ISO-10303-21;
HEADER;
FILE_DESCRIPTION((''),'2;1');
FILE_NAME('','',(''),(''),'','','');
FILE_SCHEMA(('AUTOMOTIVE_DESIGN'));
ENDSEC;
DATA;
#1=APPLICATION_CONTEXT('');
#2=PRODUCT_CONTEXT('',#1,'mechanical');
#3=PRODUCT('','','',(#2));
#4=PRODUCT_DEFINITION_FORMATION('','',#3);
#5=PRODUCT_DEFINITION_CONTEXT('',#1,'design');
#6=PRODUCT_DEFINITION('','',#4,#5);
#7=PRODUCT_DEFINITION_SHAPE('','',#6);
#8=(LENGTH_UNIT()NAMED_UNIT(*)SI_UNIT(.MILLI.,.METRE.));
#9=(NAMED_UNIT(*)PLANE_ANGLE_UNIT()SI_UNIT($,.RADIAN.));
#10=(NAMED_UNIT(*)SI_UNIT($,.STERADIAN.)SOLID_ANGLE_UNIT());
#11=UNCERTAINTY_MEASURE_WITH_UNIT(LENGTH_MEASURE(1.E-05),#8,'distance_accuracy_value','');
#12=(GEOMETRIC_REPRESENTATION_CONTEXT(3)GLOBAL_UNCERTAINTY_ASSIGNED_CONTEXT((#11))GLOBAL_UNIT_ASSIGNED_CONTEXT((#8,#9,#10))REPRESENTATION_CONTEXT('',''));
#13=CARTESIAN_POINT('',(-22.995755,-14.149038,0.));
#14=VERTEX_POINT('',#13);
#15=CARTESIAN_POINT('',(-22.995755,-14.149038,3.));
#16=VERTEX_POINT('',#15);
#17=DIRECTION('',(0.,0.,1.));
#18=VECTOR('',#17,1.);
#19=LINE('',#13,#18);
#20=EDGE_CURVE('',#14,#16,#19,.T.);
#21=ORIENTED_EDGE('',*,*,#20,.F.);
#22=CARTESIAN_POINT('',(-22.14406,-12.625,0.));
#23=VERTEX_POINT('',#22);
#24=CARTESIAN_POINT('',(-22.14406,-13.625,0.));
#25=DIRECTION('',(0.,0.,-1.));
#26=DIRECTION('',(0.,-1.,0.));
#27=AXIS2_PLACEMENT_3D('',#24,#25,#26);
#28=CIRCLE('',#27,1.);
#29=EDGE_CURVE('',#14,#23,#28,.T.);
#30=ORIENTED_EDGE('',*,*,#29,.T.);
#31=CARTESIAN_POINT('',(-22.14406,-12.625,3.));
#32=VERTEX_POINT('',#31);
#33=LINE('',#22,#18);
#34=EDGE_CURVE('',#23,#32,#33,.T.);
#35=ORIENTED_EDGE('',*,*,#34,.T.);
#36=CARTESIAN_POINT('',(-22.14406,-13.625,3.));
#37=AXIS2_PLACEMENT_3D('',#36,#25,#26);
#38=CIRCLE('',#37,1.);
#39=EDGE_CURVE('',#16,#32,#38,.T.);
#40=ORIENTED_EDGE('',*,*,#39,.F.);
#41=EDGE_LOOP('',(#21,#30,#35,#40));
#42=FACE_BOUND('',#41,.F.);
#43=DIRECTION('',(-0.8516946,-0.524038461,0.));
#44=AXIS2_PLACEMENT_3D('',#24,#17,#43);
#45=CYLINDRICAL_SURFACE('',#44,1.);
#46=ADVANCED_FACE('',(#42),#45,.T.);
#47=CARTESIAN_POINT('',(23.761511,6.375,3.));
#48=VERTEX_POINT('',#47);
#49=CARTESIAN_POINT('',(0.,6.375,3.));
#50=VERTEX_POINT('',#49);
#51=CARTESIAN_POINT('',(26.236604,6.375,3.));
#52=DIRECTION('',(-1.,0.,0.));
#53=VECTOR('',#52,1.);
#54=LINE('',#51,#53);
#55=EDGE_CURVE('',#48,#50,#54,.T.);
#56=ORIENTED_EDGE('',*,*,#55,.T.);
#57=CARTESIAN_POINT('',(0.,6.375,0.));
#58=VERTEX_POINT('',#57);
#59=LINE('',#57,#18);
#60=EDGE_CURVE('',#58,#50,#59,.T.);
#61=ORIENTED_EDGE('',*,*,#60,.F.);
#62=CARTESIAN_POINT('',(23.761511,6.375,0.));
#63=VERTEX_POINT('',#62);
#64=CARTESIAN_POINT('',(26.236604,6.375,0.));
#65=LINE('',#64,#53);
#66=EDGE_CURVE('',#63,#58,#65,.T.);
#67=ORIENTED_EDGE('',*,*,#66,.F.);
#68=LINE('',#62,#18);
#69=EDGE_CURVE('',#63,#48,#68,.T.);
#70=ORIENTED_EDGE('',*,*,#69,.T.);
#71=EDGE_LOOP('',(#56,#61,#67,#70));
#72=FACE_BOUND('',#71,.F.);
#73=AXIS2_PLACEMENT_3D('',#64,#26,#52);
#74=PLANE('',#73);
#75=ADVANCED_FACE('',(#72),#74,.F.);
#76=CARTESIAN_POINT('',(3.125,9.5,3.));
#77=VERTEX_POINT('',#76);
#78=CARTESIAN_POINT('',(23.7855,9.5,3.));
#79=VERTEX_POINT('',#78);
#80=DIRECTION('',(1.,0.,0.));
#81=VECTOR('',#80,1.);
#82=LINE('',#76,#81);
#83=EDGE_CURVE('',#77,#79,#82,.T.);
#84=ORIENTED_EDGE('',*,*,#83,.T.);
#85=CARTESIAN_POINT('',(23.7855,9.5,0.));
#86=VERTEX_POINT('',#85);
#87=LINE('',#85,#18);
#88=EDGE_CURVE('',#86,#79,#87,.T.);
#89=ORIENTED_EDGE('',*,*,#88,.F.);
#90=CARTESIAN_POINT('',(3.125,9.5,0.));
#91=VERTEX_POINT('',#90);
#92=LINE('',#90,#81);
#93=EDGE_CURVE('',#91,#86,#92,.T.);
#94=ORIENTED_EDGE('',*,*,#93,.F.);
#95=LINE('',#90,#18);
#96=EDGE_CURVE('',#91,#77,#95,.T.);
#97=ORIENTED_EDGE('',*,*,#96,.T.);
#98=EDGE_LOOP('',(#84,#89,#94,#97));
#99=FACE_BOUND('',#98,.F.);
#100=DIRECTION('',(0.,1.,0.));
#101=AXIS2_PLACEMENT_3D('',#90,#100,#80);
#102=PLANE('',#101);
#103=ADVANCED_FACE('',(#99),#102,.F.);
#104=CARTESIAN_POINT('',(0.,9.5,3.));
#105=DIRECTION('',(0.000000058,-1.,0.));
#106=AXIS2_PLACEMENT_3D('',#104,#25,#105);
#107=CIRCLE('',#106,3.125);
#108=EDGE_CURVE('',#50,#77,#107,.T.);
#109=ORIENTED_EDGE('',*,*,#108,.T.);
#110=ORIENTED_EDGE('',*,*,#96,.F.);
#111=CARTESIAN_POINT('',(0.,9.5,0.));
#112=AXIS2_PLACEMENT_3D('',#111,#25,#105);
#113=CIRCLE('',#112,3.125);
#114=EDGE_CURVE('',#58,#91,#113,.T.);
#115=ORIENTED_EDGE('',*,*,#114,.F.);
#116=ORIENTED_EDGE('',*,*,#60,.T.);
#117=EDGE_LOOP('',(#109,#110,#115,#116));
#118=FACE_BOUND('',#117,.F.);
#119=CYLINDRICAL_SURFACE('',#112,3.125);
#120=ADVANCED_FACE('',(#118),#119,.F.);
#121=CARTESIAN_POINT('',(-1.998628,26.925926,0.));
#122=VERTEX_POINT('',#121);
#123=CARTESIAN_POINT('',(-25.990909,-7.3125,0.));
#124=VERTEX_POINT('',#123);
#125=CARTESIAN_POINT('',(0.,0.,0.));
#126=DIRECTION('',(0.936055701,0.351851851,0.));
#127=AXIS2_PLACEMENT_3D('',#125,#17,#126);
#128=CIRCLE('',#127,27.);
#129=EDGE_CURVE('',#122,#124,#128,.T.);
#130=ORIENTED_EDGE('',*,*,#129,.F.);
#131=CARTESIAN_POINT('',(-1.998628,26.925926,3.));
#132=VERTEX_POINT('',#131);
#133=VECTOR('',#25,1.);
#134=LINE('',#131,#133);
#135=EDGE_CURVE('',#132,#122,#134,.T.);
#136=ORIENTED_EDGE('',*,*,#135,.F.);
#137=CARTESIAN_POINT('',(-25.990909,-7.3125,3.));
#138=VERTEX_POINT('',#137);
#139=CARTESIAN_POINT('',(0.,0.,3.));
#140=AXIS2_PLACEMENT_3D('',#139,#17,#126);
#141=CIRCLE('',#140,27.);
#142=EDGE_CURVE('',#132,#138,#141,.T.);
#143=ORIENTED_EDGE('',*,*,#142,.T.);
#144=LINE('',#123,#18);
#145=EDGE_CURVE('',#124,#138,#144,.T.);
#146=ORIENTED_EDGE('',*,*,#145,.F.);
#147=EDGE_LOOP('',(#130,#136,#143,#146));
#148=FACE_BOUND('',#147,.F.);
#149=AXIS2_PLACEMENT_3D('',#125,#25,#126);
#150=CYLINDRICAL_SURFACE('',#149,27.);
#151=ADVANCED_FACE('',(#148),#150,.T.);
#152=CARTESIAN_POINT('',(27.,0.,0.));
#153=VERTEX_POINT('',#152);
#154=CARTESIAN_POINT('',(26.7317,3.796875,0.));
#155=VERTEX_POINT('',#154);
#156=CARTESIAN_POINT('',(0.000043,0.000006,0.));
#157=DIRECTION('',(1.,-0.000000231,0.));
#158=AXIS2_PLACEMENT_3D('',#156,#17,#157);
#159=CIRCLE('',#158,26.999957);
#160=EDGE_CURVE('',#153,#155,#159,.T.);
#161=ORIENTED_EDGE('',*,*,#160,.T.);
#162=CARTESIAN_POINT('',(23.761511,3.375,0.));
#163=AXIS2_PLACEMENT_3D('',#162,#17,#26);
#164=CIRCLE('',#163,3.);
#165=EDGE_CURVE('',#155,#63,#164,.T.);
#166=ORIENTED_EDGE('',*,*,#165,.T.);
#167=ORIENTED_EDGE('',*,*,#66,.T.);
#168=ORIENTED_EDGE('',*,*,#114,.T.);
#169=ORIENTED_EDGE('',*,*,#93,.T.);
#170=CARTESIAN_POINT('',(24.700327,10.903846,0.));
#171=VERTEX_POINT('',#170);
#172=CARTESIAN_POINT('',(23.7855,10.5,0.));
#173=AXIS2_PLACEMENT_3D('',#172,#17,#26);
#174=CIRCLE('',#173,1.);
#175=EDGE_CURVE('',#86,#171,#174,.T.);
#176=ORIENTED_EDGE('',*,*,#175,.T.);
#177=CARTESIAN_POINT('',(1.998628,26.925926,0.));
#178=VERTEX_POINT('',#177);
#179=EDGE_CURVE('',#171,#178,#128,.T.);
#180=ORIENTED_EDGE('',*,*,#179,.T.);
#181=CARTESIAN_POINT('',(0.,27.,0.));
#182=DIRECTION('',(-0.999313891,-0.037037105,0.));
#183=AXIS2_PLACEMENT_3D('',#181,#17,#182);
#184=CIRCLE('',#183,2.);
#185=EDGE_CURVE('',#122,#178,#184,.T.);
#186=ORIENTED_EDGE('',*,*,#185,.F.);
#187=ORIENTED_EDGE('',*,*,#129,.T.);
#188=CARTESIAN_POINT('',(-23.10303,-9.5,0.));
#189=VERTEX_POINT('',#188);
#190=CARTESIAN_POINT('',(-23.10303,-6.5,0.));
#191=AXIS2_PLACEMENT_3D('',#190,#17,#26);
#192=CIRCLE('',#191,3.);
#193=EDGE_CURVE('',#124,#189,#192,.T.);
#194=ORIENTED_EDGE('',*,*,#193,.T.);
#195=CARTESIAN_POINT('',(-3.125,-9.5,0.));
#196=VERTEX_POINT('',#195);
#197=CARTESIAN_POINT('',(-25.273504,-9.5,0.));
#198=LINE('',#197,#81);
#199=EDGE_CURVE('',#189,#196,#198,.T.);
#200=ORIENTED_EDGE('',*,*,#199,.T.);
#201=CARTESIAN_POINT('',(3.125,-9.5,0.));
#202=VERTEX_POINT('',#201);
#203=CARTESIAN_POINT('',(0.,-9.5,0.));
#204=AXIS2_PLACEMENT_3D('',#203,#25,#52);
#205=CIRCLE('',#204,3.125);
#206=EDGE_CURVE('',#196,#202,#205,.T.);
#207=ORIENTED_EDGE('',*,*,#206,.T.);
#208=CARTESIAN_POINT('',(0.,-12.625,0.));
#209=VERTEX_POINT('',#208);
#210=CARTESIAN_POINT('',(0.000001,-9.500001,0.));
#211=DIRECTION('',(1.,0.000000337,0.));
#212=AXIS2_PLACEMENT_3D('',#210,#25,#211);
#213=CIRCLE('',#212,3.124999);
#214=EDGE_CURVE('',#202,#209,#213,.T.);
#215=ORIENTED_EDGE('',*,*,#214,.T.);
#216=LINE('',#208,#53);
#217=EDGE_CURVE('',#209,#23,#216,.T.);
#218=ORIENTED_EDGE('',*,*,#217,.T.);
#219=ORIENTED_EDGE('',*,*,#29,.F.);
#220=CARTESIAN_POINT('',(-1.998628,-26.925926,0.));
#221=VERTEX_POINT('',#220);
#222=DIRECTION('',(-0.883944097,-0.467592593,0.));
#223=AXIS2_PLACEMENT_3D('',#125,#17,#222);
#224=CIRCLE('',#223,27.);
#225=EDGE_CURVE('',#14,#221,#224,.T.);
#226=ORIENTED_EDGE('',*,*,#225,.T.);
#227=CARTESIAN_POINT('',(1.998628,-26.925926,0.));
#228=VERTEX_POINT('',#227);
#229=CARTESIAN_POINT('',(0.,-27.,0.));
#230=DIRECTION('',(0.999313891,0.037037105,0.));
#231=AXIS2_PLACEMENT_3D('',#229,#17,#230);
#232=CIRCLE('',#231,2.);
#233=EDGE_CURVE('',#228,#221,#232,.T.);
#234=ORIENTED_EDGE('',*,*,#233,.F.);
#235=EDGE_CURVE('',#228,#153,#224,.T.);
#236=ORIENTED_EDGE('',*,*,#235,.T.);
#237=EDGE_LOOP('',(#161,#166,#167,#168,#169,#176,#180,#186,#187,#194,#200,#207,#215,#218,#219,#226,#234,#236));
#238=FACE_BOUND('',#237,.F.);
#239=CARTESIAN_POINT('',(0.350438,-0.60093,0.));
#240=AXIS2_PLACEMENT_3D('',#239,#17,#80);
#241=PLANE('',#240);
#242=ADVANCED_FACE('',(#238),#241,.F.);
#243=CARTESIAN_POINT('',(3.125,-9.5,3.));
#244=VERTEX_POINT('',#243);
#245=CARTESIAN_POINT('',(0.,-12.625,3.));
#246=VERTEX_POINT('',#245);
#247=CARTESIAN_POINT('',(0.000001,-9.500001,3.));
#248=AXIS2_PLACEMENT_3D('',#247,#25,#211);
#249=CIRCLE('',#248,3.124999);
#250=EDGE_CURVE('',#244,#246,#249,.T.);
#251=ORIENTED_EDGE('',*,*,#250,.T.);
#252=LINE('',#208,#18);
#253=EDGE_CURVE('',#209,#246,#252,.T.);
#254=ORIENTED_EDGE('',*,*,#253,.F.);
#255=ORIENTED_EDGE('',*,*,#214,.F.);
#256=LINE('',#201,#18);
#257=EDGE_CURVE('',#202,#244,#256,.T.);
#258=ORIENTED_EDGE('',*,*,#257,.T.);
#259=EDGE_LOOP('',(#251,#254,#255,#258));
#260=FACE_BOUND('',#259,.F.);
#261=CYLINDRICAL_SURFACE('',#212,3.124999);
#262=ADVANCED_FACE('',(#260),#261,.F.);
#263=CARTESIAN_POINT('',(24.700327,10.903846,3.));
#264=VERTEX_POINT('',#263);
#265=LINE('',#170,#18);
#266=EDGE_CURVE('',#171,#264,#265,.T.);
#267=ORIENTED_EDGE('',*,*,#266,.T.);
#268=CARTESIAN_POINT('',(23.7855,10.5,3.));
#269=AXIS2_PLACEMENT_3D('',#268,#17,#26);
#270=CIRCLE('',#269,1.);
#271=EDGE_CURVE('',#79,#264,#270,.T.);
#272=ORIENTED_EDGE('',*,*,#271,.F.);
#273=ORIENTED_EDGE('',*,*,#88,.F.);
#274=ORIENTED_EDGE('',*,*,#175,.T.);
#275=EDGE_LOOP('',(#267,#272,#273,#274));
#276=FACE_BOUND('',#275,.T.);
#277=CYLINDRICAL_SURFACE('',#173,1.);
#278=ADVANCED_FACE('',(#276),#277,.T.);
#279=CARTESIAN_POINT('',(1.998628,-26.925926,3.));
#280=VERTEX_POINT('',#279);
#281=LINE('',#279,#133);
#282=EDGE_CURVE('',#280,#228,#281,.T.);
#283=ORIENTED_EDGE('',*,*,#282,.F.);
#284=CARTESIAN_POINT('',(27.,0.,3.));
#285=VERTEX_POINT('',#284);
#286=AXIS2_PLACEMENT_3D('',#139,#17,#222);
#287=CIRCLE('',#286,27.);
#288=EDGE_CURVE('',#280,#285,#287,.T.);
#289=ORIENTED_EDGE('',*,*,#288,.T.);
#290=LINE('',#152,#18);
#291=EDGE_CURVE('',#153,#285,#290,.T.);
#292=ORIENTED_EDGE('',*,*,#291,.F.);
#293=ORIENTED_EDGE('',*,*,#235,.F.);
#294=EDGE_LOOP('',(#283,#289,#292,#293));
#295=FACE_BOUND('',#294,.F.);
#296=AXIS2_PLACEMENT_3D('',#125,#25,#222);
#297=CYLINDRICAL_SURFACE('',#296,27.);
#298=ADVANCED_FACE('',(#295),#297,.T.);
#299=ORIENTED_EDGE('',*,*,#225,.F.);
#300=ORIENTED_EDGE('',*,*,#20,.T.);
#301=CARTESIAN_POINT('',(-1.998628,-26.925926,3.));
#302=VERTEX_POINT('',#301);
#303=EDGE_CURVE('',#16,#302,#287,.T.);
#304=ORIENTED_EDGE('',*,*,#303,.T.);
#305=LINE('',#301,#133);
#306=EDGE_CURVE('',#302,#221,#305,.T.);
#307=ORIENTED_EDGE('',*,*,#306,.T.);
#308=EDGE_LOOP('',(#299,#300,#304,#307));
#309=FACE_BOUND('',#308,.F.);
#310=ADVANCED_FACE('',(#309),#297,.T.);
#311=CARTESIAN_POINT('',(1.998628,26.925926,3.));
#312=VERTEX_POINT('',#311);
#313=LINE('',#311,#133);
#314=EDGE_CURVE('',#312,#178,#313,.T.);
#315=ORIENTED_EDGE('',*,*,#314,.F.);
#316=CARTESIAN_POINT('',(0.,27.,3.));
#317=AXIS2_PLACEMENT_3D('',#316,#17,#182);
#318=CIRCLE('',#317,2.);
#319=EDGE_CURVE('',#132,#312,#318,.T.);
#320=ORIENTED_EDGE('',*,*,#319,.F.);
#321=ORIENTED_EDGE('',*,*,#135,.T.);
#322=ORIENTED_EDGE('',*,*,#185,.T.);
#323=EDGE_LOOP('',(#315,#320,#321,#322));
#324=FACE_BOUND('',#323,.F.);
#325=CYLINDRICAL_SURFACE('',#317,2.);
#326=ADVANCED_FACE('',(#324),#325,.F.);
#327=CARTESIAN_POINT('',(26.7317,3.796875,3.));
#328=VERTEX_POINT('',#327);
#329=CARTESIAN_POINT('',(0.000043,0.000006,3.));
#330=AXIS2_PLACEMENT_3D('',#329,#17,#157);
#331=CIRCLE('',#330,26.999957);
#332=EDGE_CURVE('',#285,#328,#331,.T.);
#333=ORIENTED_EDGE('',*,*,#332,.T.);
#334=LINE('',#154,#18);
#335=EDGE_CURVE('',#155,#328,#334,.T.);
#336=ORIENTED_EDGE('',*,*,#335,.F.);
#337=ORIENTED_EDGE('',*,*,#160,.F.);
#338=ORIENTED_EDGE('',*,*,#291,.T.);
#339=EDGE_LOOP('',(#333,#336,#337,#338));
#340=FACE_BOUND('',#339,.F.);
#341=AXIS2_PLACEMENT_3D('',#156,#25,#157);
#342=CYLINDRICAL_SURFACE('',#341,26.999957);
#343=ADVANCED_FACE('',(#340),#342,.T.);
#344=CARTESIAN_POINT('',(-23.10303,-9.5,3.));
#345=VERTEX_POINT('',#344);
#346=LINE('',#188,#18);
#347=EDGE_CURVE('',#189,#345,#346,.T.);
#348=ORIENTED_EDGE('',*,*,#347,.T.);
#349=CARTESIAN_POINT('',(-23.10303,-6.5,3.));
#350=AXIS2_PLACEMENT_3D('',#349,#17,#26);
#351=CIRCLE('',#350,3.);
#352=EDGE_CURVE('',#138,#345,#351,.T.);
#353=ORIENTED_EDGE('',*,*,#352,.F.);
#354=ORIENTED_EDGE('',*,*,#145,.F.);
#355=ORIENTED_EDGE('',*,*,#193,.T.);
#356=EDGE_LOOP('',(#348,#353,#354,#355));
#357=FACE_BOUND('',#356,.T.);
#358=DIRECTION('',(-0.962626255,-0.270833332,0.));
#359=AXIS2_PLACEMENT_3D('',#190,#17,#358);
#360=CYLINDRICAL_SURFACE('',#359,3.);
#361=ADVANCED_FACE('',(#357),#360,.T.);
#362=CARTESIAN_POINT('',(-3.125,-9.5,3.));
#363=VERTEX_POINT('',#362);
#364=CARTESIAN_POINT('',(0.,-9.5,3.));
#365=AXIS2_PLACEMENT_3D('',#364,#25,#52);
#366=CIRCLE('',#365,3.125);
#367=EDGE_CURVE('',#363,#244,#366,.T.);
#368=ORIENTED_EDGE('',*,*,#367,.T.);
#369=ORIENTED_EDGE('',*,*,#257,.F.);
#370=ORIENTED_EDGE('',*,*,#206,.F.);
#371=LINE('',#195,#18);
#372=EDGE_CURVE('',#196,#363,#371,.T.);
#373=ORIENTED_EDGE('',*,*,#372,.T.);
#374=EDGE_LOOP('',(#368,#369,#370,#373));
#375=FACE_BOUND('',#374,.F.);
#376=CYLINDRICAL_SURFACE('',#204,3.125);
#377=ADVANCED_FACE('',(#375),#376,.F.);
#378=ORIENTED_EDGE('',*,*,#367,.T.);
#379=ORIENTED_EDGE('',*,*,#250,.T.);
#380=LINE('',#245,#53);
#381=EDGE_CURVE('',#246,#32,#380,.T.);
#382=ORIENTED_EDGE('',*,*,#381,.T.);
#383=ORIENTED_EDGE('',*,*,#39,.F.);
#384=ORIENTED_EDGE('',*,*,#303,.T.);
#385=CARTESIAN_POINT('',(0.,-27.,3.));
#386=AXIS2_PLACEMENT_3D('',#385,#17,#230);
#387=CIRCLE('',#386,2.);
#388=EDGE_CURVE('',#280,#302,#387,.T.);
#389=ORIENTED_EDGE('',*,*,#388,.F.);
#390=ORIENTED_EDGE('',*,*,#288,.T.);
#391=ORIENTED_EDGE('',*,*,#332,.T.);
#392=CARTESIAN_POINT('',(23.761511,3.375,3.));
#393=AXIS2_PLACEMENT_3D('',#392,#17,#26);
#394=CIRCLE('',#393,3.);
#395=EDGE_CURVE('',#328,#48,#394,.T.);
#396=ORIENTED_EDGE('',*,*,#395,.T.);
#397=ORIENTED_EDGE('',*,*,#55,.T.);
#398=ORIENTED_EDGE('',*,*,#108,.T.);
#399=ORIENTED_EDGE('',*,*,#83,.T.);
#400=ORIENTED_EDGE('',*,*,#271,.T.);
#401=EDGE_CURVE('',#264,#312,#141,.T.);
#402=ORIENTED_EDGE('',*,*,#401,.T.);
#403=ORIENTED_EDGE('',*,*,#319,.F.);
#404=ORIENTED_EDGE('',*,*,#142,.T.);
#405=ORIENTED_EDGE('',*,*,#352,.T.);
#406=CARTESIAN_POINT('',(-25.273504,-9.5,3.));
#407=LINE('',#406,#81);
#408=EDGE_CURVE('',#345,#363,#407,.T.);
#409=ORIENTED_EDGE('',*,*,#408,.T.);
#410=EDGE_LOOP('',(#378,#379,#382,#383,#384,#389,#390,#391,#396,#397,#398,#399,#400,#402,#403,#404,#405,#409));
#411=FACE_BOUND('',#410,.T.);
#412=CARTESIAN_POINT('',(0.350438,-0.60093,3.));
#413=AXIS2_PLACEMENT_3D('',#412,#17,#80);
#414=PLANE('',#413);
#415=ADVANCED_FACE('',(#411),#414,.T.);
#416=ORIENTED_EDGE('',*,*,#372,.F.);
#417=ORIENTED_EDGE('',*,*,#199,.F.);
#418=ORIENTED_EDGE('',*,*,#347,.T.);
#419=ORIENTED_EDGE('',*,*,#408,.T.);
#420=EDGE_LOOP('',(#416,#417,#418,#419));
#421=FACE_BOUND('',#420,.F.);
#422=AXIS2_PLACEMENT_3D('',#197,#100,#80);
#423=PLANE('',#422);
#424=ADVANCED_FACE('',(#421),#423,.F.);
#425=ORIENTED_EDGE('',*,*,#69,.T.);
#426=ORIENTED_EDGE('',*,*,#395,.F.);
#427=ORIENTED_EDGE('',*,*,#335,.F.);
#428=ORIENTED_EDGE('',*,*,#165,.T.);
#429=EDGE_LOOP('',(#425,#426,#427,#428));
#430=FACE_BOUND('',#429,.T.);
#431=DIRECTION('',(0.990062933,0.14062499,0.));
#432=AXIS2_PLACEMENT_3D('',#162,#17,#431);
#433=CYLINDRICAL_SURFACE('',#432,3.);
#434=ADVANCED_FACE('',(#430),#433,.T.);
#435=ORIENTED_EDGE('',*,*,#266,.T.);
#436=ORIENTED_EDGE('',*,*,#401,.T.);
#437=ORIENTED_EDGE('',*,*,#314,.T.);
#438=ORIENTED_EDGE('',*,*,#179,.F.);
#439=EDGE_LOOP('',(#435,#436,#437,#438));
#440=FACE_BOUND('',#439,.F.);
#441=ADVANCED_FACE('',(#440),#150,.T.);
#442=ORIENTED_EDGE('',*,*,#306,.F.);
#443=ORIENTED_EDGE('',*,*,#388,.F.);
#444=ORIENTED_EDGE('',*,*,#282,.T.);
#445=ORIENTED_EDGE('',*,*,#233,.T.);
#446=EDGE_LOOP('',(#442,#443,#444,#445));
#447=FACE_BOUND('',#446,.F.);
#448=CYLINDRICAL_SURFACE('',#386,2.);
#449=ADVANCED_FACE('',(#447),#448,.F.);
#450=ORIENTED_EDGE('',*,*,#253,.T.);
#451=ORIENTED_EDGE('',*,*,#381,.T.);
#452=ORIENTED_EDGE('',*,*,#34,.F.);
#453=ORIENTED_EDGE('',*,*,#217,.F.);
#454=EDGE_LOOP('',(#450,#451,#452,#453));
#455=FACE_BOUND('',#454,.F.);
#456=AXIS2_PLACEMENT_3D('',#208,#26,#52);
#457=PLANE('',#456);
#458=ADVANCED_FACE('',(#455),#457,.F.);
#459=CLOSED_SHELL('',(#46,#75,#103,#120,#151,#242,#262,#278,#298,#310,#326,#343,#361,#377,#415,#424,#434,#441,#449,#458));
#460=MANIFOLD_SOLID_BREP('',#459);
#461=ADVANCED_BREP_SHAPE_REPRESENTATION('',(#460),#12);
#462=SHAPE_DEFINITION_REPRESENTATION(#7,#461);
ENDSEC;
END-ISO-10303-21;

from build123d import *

# Parameters (mm, degrees)
F1_DEPTH = 3
F2_R     = 3
F3_R     = 1
F5_DEPTH = 25


with BuildPart() as f1:
    # F0 (on Top) → F1 (new body)
    with BuildSketch(Plane.XY):
        with BuildLine():
            ThreePointArc((-23.866491, -12.625), (6.504028, -26.204916), (27, 0))
            ThreePointArc((27, 0), (26.808472, 3.210273), (26.236604, 6.375))
            Line((26.236604, 6.375), (0, 6.375))
            ThreePointArc((0, 6.375), (-2.209709, 11.709709), (3.125, 9.5))
            Line((3.125, 9.5), (25.273504, 9.5))
            ThreePointArc((25.273504, 9.5), (-9.5, 25.273504), (-25.273504, -9.5))
            Line((-25.273504, -9.5), (-3.125, -9.5))
            ThreePointArc((-3.125, -9.5), (0, -6.375), (3.125, -9.5))
            ThreePointArc((3.125, -9.5), (2.209709, -11.709709), (0, -12.625))
            Line((0, -12.625), (-23.866491, -12.625))
        make_face()
    extrude(amount=F1_DEPTH)

    # F2
    f2_edges = [f1.edges().sort_by_distance(p)[0] for p in [
        (-25.273504, -9.5, 1.5),
        (26.236604, 6.375, 1.5),
    ]]
    fillet(f2_edges, radius=F2_R)

    # F3
    f3_edges = [f1.edges().sort_by_distance(p)[0] for p in [
        (25.273504, 9.5, 1.5),
        (-23.866491, -12.625, 1.5),
    ]]
    fillet(f3_edges, radius=F3_R)

    # F4 (on face) → F5 (cut)
    with BuildSketch(Plane.XY.offset(3)):
        with BuildLine():
            ThreePointArc((1.998628, 26.925926), (0, 27), (-1.998628, 26.925926))
            ThreePointArc((-1.998628, 26.925926), (0, 25), (1.998628, 26.925926))
        make_face()
        with BuildLine():
            ThreePointArc((-1.998628, -26.925926), (0, -27), (1.998628, -26.925926))
            ThreePointArc((1.998628, -26.925926), (0, -25), (-1.998628, -26.925926))
        make_face()
    extrude(amount=-F5_DEPTH, mode=Mode.SUBTRACT)


solid = f1.part
